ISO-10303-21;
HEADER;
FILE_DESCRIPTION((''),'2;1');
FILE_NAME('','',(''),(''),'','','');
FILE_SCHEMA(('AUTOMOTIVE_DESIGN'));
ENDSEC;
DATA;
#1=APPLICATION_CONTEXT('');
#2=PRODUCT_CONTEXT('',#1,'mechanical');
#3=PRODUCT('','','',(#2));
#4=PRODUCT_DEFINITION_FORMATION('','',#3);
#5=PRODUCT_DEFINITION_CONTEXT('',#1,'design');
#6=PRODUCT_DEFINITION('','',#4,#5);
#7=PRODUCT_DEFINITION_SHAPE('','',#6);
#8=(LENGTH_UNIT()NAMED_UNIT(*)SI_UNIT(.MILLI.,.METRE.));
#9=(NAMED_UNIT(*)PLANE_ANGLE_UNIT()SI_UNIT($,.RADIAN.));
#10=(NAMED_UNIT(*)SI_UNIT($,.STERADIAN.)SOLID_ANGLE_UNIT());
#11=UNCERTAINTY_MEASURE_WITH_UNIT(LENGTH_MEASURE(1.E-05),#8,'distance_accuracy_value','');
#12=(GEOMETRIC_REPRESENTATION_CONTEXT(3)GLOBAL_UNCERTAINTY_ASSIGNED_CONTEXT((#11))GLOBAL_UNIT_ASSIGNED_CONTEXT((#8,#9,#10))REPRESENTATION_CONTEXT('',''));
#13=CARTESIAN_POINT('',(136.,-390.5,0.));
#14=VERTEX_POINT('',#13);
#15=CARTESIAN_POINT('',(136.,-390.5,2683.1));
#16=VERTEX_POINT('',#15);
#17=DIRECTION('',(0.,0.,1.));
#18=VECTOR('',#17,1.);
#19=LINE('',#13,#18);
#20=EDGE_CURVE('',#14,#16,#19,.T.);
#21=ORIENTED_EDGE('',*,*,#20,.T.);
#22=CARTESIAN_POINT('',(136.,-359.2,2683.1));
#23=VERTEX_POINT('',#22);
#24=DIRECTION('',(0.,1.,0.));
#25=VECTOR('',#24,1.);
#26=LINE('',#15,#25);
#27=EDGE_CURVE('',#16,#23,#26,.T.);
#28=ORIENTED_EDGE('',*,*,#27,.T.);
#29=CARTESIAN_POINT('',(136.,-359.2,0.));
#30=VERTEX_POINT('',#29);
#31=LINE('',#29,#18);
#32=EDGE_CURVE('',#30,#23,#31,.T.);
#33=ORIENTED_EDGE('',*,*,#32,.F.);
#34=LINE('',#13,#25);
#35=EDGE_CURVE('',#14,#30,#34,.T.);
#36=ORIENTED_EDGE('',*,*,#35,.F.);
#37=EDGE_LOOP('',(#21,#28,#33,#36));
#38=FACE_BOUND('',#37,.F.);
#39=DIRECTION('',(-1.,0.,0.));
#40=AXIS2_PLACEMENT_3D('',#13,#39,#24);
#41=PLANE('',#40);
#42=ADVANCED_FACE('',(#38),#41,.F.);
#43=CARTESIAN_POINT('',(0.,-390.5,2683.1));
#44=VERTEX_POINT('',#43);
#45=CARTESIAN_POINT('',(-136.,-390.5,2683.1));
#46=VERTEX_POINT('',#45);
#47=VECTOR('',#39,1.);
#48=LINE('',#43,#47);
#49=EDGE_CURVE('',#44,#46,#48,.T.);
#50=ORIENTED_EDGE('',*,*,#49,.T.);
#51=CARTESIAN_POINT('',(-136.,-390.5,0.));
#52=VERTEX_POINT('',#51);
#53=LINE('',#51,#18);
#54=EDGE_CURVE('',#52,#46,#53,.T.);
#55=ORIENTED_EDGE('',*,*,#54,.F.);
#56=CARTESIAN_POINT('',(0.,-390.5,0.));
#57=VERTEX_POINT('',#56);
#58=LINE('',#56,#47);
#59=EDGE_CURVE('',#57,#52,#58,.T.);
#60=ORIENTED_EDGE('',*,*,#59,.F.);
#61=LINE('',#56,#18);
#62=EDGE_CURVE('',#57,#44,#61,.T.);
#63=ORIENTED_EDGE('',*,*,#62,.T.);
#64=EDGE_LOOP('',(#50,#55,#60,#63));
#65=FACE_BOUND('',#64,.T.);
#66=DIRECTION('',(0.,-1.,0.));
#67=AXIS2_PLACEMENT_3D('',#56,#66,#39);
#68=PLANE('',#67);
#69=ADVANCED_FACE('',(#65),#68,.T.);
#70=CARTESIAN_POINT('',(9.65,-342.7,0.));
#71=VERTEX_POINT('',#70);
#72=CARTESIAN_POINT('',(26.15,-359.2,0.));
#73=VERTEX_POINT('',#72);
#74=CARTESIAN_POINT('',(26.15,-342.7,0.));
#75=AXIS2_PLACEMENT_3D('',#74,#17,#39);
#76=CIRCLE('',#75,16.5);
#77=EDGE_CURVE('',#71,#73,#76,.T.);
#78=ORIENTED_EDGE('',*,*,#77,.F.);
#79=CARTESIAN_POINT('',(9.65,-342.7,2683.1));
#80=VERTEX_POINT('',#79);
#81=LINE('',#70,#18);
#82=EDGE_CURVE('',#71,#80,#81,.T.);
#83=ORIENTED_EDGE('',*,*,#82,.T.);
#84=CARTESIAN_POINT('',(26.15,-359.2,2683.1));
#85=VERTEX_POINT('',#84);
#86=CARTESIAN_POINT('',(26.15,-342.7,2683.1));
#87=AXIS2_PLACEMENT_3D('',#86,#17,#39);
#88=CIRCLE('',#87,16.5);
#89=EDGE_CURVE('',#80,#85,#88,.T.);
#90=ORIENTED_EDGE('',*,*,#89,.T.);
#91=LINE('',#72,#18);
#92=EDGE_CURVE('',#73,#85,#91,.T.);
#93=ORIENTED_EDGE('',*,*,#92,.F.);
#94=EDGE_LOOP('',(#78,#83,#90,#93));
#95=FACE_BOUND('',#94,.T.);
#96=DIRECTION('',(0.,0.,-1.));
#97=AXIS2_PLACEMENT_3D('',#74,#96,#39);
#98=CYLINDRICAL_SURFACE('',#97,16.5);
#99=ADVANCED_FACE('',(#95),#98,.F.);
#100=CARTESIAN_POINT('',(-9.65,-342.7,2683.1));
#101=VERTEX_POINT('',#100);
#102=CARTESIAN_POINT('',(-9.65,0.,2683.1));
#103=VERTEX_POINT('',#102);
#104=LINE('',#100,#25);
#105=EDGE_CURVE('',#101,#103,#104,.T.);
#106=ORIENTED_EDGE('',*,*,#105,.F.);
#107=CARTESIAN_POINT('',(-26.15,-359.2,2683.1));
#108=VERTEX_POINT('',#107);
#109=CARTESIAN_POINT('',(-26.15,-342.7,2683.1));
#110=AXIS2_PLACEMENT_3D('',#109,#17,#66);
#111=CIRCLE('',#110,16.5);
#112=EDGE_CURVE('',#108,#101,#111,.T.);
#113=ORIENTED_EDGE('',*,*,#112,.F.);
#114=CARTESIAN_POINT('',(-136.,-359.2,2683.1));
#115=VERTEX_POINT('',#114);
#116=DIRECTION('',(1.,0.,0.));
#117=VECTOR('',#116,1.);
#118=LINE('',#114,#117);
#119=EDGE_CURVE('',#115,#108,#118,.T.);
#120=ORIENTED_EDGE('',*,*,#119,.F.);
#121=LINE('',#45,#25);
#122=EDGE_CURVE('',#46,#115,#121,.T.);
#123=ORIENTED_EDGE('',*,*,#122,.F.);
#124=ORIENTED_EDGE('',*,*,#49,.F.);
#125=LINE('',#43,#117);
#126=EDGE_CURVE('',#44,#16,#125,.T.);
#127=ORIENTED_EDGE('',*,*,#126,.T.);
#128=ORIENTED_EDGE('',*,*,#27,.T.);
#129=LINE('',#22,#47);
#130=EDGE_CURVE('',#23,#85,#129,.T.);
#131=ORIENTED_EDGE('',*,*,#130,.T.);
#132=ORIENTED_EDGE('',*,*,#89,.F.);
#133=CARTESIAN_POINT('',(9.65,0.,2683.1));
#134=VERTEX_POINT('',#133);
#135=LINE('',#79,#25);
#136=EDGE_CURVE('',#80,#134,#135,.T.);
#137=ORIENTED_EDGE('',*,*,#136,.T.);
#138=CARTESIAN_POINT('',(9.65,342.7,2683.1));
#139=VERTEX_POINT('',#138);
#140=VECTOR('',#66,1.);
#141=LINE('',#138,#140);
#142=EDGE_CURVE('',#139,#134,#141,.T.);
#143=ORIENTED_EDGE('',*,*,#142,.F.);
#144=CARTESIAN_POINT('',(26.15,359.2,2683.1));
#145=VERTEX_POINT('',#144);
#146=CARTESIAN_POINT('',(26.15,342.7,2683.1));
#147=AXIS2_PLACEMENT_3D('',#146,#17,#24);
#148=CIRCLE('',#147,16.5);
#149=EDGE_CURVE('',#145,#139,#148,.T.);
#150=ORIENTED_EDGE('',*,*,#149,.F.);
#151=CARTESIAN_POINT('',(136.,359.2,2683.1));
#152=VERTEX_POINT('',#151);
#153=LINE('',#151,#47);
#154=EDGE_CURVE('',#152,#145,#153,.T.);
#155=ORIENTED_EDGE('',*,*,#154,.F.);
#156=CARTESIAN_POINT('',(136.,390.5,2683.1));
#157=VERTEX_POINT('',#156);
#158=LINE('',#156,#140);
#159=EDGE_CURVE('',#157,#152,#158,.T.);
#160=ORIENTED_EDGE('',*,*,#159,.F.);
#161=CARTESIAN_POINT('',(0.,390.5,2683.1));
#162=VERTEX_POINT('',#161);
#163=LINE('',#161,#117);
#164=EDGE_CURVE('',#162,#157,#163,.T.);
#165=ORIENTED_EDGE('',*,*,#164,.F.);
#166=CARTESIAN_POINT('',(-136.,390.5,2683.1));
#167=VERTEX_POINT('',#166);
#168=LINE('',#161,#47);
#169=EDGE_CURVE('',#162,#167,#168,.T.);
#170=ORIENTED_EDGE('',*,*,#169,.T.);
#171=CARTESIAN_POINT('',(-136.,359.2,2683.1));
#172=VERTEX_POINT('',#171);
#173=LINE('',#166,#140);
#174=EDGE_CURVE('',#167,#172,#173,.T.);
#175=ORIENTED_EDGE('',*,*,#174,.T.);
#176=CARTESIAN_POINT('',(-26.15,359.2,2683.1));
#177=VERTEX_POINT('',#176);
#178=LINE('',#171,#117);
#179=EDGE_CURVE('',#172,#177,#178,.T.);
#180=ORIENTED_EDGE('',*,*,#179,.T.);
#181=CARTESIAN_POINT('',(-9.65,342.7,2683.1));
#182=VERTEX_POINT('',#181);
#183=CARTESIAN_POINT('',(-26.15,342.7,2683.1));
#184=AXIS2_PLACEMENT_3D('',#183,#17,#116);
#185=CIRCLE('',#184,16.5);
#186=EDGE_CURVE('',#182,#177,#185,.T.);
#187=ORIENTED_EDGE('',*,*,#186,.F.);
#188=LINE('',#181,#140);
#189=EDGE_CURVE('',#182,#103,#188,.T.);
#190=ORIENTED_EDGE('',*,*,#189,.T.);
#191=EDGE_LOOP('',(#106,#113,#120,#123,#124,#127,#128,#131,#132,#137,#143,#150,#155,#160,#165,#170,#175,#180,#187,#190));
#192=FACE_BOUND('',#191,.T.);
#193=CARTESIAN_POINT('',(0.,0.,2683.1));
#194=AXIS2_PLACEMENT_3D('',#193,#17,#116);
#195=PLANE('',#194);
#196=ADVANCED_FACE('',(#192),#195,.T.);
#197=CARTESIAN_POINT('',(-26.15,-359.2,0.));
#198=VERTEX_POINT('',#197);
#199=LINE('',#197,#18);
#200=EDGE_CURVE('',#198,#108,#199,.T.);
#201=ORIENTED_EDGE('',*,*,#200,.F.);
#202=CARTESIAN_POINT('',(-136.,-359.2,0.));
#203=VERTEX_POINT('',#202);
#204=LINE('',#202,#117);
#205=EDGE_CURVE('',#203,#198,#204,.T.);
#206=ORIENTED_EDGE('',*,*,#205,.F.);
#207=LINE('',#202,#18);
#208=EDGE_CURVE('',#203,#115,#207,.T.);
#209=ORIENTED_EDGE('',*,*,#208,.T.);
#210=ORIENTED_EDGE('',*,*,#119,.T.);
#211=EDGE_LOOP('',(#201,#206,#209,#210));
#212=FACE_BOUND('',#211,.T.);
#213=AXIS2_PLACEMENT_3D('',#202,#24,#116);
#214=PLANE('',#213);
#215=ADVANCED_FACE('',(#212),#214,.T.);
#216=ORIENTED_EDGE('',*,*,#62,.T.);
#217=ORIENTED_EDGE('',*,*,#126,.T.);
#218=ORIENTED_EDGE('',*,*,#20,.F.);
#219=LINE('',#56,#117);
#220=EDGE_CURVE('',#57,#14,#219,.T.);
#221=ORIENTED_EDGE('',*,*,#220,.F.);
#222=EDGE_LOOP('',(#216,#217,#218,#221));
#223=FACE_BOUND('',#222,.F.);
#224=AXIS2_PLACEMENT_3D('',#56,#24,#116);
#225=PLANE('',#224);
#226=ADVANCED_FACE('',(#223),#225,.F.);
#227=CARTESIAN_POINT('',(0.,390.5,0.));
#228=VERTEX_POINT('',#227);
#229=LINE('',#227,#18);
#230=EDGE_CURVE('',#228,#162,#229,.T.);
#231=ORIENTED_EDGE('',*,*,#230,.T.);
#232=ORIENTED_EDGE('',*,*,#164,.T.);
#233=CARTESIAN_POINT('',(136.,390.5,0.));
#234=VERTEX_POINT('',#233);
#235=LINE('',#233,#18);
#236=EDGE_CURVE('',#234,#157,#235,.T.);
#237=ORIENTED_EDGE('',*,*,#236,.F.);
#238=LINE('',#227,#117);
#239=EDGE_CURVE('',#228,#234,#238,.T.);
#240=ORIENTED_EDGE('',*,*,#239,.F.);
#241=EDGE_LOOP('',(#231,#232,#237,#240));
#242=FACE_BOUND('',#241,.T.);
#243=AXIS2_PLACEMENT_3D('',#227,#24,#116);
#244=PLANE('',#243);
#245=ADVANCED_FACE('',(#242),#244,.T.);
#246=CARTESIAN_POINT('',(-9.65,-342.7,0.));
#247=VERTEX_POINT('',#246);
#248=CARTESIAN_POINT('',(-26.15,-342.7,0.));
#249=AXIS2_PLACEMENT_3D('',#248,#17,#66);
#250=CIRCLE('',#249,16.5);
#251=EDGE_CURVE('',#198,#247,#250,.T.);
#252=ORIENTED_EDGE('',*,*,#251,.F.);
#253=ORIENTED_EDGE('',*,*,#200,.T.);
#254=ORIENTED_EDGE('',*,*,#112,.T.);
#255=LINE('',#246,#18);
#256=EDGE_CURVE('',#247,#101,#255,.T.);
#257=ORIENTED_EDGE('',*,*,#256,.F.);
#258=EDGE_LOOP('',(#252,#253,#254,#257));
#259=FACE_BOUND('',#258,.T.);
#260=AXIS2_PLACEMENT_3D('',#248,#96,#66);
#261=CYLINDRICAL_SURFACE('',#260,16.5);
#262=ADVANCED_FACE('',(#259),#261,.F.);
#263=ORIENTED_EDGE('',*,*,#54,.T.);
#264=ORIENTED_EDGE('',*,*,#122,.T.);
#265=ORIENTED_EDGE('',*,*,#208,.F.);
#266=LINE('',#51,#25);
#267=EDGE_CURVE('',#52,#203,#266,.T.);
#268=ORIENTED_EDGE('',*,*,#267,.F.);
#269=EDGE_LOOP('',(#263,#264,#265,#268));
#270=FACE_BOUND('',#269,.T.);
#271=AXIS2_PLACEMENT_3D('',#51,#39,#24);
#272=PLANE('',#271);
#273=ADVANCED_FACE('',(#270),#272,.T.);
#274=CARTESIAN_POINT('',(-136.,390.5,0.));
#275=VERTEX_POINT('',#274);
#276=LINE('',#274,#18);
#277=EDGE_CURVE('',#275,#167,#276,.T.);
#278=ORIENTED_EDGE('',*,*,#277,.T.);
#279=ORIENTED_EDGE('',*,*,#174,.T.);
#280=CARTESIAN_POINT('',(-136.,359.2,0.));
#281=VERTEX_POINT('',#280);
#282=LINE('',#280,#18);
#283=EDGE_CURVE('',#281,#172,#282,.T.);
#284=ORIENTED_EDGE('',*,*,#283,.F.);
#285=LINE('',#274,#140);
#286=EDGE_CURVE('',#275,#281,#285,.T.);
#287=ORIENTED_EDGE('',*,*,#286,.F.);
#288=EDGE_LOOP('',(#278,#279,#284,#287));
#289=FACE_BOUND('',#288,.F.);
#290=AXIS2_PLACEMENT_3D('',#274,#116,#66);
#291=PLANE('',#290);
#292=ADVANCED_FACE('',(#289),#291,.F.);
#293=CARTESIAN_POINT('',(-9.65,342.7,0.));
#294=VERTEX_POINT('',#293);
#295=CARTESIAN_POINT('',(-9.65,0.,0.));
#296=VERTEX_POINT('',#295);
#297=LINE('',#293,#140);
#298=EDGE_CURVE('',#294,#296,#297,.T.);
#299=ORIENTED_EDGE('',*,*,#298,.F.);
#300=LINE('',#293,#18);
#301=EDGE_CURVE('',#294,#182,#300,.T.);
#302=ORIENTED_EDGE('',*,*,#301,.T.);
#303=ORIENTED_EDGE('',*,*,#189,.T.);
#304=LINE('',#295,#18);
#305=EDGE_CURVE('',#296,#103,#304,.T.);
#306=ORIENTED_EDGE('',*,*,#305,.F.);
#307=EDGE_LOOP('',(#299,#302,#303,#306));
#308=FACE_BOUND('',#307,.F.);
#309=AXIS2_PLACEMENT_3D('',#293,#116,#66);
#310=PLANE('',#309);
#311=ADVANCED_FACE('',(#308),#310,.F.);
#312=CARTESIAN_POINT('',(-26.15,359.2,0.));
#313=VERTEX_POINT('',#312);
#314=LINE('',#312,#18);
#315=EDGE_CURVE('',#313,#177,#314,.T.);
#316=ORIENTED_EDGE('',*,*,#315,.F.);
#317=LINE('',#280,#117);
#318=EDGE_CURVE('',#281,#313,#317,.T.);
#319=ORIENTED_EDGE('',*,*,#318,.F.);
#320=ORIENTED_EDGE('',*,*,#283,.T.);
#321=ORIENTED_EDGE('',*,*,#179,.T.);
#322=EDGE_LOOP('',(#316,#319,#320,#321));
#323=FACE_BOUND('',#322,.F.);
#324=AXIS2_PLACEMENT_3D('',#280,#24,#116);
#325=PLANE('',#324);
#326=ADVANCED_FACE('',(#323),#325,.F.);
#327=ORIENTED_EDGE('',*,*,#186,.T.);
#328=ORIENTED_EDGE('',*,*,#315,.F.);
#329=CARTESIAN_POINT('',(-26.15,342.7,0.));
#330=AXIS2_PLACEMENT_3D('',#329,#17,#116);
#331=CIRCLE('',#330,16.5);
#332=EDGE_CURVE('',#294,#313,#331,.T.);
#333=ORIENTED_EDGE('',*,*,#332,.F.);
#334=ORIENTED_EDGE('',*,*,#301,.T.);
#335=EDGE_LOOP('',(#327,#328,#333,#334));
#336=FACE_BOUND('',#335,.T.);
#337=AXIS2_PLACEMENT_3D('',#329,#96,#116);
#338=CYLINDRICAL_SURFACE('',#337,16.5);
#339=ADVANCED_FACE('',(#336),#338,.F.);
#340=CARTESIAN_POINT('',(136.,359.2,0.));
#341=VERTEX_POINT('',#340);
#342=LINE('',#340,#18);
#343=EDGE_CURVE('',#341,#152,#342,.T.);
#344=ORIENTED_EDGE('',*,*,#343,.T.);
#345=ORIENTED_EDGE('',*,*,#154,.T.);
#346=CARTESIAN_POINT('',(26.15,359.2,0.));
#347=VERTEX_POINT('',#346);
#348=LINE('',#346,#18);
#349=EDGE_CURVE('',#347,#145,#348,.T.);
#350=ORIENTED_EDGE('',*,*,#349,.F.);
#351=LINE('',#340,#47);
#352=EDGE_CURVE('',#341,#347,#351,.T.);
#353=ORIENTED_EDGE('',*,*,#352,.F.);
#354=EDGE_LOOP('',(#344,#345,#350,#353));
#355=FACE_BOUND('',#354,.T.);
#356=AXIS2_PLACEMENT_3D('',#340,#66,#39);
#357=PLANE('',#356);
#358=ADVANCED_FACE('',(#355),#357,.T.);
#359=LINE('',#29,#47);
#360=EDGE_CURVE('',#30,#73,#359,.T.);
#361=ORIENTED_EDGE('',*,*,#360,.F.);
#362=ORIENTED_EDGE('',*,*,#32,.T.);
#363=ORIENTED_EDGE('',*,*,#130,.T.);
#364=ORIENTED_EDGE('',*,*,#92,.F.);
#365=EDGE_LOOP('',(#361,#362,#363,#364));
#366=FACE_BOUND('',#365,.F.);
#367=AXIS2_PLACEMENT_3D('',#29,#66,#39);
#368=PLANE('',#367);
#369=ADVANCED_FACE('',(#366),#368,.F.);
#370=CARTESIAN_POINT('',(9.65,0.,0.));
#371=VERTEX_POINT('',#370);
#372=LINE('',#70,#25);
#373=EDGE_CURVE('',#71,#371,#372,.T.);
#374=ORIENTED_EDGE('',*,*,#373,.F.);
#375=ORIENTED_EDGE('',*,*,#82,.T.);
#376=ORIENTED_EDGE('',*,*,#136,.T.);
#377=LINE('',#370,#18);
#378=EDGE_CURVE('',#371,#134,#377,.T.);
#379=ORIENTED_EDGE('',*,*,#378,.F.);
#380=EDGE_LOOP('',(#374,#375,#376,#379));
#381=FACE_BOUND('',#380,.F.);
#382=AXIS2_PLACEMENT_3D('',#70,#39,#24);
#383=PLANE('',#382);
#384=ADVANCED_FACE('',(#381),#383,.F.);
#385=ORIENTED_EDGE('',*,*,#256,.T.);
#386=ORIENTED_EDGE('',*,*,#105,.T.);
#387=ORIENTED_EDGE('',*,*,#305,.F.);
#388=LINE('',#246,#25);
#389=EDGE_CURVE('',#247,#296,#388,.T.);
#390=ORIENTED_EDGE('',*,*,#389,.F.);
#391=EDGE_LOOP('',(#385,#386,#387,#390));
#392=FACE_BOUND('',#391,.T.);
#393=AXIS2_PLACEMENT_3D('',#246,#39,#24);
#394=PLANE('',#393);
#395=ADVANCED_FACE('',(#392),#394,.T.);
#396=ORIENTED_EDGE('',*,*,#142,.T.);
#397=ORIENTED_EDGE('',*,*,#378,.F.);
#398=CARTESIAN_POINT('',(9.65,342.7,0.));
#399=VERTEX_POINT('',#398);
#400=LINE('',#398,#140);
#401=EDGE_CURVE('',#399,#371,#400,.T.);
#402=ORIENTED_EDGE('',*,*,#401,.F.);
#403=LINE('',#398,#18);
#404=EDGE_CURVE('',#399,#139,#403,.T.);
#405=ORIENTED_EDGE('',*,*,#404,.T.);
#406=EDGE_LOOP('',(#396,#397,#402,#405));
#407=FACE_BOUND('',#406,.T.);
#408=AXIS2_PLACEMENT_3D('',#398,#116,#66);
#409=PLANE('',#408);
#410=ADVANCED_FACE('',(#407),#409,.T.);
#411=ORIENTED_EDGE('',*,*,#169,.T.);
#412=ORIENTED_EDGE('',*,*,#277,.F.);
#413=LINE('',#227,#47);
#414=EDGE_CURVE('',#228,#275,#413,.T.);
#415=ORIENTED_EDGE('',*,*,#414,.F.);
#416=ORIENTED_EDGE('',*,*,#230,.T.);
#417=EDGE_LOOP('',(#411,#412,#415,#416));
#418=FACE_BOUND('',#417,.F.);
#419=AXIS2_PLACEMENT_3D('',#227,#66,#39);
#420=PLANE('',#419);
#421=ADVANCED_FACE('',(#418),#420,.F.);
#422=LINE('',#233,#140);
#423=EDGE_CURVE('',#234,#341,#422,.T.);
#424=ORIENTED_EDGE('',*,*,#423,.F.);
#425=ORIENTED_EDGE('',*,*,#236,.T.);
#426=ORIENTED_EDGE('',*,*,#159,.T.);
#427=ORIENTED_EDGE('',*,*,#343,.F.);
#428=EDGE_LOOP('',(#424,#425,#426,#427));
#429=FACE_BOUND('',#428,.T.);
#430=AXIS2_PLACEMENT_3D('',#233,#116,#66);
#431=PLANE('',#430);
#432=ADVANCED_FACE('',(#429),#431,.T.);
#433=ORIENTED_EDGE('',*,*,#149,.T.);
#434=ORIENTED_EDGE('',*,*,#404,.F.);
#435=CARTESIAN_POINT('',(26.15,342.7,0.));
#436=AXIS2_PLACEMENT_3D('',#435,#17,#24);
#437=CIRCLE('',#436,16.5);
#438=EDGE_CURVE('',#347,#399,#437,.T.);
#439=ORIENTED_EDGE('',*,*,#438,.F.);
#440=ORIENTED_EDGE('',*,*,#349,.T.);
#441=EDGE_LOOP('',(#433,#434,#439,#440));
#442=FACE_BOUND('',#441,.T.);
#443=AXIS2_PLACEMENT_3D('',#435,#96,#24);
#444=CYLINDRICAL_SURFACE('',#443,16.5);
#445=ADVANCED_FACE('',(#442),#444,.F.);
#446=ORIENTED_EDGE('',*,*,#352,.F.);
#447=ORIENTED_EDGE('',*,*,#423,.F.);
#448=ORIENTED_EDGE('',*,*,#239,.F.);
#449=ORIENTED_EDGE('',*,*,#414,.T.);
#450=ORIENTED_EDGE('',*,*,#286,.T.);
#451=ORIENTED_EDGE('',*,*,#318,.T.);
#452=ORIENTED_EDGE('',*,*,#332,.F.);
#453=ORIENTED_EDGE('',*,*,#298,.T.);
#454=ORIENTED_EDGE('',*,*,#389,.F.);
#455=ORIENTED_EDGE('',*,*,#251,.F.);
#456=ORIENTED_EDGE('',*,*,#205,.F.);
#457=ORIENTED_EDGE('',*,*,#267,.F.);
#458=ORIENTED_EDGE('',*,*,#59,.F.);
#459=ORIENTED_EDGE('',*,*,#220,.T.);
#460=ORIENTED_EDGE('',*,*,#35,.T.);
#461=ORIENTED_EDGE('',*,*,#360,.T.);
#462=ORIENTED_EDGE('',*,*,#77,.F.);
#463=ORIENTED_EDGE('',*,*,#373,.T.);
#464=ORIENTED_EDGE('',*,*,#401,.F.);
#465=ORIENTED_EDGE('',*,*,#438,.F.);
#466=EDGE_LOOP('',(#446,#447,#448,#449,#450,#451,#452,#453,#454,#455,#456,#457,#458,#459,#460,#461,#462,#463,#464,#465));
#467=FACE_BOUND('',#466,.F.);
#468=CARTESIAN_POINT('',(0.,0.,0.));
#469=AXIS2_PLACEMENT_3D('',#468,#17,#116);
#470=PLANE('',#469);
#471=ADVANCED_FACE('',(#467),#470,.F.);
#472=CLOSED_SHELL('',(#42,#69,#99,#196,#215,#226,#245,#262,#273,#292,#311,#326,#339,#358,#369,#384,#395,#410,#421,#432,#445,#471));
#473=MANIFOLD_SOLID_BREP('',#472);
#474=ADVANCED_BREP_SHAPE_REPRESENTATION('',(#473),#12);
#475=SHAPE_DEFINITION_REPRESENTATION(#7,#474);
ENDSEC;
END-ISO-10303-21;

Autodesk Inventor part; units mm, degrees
ref_plane "YZ Plane" through (0, 0, 0) normal (1, 0, 0) x (0, 1, 0)
ref_plane "Start plane" through (0, 0, 0) normal (0, 0, 1) x (1, 0, 0)
ref_plane "End plane" through (0, 0, 2683.1) normal (0, 0, 1) x (1, 0, 0)
sketch "Sketch" plane through (0, 0, 0) normal (0, 0, 1) x (1, 0, 0)
  line L0 (-136, -390.5) -> (-136, -359.2)
  line L1 (-136, -359.2) -> (-26.15, -359.2)
  line L2 (-9.65, -342.7) -> (-9.65, 0)
  line L3 (-9.65, 0) -> (0, 0) construction
  line L4 (0, 0) -> (0, -390.5) construction
  line L5 (0, -390.5) -> (-136, -390.5)
  line L6 (-60, 0) -> (80, 0) construction
  line L7 (0, -60) -> (0, 80) construction
  line L8 (136, -390.5) -> (136, -359.2)
  line L9 (136, -359.2) -> (26.15, -359.2)
  line L10 (9.65, -342.7) -> (9.65, 0)
  line L11 (9.65, 0) -> (0, 0) construction
  line L12 (0, -390.5) -> (136, -390.5)
  line L13 (-136, 390.5) -> (-136, 359.2)
  line L14 (-136, 359.2) -> (-26.15, 359.2)
  line L15 (-9.65, 342.7) -> (-9.65, 0)
  line L16 (0, 390.5) -> (-136, 390.5)
  line L17 (136, 390.5) -> (136, 359.2)
  line L18 (136, 359.2) -> (26.15, 359.2)
  line L19 (0, 390.5) -> (136, 390.5)
  line L20 (9.65, 342.7) -> (9.65, 0)
  arc A0 (-9.65, 342.7) -> (-26.15, 359.2) centre (-26.15, 342.7) ccw
  arc A1 (26.15, 359.2) -> (9.65, 342.7) centre (26.15, 342.7) ccw
  arc A2 (9.65, -342.7) -> (26.15, -359.2) centre (26.15, -342.7) ccw
  arc A3 (-26.15, -359.2) -> (-9.65, -342.7) centre (-26.15, -342.7) ccw
  line L21 (0, 108) -> (0, -88) construction
  line L22 (-88, 0) -> (108, 0) construction
  point P0 (-9.65, -359.2)
  point P1 (9.65, -359.2)
  point P2 (-9.65, 359.2)
  point P3 (9.65, 359.2)
  dimension "d1" = 390.5
  dimension "d2" = 31.3
  dimension "d3" = 136
  dimension "d4" = 9.65
  dimension "d10" = 16.5
extrude "Body" add sketch "Sketch" along normal up to surface (2683.1 mm away) from surface at 0
sketch "Sketch4" plane through (0, 0, 0) normal (0, 0, 1) x (1, 0, 0)
  line L0 (0, 0) -> (10, 0)
ref_plane "Work Plane3" through (0, 0, 0) normal (0, -1, 0) x (1, 0, 0)
sketch "Sketch5" plane through (0, 0, 0) normal (0, -1, 0) x (1, 0, 0)
  line L0 (-2, 0) -> (12, 0) projected
  line L1 (-2, 2683.1) -> (12, 2683.1) projected
  dimension "d14" = 2683.1
equation "\"d1\" = 0.5 * G_H"
equation "\"d2\" = G_T1"
equation "\"d3\" = 0.5 * G_W"
equation "\"d4\" = 0.5 * G_T"
equation "\"d10\" = G_IR"
equation "\"d5\" = G_L"
equation "\"G_W\" = 272"
equation "\"G_H\" = 781"
equation "\"G_T\" = 19.3"
equation "\"G_T1\" = 31.3"
equation "\"G_IR\" = 16.5"
equation "\"G_L\" = d14"
equation "\"G_OFFSET_START\" = 0"
equation "\"G_OFFSET_END\" = 0"
equation "\"d12\" = G_OFFSET_END + B_L"
equation "\"B_L\" = 2683.1"
properties part number "AS 3679-1990 - 760 UB - 244 - 2683.1" material "Steel, Mild"
